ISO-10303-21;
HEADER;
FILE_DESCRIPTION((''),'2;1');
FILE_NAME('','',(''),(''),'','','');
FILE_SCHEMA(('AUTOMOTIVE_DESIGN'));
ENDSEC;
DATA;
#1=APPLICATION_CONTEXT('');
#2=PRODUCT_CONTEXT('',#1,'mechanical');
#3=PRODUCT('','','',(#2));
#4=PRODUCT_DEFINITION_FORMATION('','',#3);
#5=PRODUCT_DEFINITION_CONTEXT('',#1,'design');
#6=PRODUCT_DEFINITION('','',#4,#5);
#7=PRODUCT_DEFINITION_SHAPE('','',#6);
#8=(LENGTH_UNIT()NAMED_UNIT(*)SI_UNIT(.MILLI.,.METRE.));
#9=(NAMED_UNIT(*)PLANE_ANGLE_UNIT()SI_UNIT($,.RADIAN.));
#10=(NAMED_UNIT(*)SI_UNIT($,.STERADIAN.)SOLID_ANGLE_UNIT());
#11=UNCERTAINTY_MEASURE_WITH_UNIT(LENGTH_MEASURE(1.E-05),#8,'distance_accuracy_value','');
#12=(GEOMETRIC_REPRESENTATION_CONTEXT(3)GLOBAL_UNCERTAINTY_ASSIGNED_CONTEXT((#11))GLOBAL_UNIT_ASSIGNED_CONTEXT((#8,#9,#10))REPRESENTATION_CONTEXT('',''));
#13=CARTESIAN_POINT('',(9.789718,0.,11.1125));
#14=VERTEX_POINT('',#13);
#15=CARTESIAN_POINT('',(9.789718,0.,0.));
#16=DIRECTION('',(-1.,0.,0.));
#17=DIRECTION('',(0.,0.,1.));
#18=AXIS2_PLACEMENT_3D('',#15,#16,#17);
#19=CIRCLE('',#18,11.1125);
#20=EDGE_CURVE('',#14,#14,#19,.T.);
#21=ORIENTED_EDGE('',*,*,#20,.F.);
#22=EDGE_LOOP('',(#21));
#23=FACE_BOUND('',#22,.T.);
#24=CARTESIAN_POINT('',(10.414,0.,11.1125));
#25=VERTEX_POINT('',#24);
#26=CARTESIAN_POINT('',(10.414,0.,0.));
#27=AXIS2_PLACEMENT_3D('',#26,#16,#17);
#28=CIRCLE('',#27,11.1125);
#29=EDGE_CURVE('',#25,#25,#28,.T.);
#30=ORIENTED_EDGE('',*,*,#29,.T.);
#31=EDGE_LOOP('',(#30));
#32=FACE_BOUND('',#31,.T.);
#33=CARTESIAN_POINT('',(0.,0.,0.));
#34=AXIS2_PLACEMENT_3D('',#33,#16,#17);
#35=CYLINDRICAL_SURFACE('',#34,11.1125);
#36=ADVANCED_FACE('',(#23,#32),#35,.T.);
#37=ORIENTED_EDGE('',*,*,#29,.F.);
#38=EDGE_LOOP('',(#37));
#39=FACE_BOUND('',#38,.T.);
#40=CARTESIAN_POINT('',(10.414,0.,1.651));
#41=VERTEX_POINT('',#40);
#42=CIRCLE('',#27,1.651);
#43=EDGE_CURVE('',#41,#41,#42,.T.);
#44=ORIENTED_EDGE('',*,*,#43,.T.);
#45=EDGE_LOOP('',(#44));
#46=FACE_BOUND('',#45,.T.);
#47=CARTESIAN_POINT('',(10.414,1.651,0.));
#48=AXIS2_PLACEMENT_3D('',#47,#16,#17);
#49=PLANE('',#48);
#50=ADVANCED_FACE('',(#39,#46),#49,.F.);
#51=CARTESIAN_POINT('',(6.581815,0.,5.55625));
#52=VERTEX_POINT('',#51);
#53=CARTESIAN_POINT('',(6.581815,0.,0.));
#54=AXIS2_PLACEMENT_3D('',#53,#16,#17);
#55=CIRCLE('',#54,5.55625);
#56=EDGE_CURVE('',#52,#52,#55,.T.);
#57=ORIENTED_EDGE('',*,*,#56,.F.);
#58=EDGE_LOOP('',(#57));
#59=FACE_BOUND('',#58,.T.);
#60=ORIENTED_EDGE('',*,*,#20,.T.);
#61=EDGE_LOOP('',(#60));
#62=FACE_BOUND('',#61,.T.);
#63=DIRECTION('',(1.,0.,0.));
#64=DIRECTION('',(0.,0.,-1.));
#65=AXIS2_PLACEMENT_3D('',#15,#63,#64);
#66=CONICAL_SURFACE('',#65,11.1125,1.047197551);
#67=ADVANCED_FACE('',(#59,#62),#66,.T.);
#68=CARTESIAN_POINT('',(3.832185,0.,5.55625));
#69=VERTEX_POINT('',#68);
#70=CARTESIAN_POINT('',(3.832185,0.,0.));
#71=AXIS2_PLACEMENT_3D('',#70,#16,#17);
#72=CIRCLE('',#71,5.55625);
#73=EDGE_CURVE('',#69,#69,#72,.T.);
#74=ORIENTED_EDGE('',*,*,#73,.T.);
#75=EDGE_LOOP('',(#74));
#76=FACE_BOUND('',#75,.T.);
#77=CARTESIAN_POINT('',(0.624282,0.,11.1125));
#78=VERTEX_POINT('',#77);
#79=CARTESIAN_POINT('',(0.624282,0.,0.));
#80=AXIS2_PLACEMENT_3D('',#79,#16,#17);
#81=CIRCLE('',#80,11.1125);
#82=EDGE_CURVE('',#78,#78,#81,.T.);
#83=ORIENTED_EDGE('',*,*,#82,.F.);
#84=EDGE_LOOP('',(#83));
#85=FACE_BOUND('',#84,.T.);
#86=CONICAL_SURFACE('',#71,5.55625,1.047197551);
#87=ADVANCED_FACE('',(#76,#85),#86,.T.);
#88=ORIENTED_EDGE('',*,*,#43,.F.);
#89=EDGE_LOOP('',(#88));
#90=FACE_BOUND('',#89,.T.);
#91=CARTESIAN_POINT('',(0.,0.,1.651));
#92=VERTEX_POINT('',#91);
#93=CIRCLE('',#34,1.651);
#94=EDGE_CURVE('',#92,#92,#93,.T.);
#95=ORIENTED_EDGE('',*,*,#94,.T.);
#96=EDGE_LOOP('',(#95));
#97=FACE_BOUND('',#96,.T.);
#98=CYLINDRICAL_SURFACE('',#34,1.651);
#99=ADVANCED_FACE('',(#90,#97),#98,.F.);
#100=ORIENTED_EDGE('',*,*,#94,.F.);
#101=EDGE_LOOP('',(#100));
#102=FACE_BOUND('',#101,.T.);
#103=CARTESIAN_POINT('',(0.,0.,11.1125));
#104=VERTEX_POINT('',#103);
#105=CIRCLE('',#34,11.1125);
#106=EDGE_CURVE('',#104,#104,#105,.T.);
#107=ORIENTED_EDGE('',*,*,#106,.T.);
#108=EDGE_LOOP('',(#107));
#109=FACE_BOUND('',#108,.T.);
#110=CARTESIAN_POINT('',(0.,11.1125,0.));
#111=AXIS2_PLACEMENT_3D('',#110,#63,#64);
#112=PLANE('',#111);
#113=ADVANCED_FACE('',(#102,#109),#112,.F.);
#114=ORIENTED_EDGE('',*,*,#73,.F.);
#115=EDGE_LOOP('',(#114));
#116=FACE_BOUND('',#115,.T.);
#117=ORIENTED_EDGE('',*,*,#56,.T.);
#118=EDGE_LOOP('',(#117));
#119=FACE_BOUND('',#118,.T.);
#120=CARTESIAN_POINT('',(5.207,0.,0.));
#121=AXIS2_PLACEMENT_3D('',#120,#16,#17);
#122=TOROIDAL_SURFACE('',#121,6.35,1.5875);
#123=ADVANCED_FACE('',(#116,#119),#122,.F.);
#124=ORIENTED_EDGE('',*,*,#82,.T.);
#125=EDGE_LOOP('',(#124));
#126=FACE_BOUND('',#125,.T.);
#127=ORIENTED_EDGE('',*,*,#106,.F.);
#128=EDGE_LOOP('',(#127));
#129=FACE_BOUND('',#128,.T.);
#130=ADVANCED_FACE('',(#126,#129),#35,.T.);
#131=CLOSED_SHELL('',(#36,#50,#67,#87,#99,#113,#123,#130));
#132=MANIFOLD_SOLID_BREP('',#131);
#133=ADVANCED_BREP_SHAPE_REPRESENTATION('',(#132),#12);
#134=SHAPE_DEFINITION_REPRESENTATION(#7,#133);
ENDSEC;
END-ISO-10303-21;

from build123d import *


with BuildPart() as part:
    # Sketch1 → Revolve1 (revolve)
    with BuildSketch(Plane.XY):
        with BuildLine():
            Line((0, 1.651), (10.414, 1.651))
            Line((10.414, 1.651), (10.414, 11.1125))
            Line((10.414, 11.1125), (9.789717762, 11.1125))
            Line((9.789717762, 11.1125), (6.581815329, 5.55625))
            ThreePointArc((6.581815329, 5.55625), (5.207, 4.7625), (3.832184671, 5.55625))
            Line((3.832184671, 5.55625), (0.624282238, 11.1125))
            Line((0.624282238, 11.1125), (0, 11.1125))
            Line((0, 11.1125), (0, 1.651))
        make_face()
    revolve(axis=Axis((0, 0, 0), (1, 0, 0)))


solid = part.part
